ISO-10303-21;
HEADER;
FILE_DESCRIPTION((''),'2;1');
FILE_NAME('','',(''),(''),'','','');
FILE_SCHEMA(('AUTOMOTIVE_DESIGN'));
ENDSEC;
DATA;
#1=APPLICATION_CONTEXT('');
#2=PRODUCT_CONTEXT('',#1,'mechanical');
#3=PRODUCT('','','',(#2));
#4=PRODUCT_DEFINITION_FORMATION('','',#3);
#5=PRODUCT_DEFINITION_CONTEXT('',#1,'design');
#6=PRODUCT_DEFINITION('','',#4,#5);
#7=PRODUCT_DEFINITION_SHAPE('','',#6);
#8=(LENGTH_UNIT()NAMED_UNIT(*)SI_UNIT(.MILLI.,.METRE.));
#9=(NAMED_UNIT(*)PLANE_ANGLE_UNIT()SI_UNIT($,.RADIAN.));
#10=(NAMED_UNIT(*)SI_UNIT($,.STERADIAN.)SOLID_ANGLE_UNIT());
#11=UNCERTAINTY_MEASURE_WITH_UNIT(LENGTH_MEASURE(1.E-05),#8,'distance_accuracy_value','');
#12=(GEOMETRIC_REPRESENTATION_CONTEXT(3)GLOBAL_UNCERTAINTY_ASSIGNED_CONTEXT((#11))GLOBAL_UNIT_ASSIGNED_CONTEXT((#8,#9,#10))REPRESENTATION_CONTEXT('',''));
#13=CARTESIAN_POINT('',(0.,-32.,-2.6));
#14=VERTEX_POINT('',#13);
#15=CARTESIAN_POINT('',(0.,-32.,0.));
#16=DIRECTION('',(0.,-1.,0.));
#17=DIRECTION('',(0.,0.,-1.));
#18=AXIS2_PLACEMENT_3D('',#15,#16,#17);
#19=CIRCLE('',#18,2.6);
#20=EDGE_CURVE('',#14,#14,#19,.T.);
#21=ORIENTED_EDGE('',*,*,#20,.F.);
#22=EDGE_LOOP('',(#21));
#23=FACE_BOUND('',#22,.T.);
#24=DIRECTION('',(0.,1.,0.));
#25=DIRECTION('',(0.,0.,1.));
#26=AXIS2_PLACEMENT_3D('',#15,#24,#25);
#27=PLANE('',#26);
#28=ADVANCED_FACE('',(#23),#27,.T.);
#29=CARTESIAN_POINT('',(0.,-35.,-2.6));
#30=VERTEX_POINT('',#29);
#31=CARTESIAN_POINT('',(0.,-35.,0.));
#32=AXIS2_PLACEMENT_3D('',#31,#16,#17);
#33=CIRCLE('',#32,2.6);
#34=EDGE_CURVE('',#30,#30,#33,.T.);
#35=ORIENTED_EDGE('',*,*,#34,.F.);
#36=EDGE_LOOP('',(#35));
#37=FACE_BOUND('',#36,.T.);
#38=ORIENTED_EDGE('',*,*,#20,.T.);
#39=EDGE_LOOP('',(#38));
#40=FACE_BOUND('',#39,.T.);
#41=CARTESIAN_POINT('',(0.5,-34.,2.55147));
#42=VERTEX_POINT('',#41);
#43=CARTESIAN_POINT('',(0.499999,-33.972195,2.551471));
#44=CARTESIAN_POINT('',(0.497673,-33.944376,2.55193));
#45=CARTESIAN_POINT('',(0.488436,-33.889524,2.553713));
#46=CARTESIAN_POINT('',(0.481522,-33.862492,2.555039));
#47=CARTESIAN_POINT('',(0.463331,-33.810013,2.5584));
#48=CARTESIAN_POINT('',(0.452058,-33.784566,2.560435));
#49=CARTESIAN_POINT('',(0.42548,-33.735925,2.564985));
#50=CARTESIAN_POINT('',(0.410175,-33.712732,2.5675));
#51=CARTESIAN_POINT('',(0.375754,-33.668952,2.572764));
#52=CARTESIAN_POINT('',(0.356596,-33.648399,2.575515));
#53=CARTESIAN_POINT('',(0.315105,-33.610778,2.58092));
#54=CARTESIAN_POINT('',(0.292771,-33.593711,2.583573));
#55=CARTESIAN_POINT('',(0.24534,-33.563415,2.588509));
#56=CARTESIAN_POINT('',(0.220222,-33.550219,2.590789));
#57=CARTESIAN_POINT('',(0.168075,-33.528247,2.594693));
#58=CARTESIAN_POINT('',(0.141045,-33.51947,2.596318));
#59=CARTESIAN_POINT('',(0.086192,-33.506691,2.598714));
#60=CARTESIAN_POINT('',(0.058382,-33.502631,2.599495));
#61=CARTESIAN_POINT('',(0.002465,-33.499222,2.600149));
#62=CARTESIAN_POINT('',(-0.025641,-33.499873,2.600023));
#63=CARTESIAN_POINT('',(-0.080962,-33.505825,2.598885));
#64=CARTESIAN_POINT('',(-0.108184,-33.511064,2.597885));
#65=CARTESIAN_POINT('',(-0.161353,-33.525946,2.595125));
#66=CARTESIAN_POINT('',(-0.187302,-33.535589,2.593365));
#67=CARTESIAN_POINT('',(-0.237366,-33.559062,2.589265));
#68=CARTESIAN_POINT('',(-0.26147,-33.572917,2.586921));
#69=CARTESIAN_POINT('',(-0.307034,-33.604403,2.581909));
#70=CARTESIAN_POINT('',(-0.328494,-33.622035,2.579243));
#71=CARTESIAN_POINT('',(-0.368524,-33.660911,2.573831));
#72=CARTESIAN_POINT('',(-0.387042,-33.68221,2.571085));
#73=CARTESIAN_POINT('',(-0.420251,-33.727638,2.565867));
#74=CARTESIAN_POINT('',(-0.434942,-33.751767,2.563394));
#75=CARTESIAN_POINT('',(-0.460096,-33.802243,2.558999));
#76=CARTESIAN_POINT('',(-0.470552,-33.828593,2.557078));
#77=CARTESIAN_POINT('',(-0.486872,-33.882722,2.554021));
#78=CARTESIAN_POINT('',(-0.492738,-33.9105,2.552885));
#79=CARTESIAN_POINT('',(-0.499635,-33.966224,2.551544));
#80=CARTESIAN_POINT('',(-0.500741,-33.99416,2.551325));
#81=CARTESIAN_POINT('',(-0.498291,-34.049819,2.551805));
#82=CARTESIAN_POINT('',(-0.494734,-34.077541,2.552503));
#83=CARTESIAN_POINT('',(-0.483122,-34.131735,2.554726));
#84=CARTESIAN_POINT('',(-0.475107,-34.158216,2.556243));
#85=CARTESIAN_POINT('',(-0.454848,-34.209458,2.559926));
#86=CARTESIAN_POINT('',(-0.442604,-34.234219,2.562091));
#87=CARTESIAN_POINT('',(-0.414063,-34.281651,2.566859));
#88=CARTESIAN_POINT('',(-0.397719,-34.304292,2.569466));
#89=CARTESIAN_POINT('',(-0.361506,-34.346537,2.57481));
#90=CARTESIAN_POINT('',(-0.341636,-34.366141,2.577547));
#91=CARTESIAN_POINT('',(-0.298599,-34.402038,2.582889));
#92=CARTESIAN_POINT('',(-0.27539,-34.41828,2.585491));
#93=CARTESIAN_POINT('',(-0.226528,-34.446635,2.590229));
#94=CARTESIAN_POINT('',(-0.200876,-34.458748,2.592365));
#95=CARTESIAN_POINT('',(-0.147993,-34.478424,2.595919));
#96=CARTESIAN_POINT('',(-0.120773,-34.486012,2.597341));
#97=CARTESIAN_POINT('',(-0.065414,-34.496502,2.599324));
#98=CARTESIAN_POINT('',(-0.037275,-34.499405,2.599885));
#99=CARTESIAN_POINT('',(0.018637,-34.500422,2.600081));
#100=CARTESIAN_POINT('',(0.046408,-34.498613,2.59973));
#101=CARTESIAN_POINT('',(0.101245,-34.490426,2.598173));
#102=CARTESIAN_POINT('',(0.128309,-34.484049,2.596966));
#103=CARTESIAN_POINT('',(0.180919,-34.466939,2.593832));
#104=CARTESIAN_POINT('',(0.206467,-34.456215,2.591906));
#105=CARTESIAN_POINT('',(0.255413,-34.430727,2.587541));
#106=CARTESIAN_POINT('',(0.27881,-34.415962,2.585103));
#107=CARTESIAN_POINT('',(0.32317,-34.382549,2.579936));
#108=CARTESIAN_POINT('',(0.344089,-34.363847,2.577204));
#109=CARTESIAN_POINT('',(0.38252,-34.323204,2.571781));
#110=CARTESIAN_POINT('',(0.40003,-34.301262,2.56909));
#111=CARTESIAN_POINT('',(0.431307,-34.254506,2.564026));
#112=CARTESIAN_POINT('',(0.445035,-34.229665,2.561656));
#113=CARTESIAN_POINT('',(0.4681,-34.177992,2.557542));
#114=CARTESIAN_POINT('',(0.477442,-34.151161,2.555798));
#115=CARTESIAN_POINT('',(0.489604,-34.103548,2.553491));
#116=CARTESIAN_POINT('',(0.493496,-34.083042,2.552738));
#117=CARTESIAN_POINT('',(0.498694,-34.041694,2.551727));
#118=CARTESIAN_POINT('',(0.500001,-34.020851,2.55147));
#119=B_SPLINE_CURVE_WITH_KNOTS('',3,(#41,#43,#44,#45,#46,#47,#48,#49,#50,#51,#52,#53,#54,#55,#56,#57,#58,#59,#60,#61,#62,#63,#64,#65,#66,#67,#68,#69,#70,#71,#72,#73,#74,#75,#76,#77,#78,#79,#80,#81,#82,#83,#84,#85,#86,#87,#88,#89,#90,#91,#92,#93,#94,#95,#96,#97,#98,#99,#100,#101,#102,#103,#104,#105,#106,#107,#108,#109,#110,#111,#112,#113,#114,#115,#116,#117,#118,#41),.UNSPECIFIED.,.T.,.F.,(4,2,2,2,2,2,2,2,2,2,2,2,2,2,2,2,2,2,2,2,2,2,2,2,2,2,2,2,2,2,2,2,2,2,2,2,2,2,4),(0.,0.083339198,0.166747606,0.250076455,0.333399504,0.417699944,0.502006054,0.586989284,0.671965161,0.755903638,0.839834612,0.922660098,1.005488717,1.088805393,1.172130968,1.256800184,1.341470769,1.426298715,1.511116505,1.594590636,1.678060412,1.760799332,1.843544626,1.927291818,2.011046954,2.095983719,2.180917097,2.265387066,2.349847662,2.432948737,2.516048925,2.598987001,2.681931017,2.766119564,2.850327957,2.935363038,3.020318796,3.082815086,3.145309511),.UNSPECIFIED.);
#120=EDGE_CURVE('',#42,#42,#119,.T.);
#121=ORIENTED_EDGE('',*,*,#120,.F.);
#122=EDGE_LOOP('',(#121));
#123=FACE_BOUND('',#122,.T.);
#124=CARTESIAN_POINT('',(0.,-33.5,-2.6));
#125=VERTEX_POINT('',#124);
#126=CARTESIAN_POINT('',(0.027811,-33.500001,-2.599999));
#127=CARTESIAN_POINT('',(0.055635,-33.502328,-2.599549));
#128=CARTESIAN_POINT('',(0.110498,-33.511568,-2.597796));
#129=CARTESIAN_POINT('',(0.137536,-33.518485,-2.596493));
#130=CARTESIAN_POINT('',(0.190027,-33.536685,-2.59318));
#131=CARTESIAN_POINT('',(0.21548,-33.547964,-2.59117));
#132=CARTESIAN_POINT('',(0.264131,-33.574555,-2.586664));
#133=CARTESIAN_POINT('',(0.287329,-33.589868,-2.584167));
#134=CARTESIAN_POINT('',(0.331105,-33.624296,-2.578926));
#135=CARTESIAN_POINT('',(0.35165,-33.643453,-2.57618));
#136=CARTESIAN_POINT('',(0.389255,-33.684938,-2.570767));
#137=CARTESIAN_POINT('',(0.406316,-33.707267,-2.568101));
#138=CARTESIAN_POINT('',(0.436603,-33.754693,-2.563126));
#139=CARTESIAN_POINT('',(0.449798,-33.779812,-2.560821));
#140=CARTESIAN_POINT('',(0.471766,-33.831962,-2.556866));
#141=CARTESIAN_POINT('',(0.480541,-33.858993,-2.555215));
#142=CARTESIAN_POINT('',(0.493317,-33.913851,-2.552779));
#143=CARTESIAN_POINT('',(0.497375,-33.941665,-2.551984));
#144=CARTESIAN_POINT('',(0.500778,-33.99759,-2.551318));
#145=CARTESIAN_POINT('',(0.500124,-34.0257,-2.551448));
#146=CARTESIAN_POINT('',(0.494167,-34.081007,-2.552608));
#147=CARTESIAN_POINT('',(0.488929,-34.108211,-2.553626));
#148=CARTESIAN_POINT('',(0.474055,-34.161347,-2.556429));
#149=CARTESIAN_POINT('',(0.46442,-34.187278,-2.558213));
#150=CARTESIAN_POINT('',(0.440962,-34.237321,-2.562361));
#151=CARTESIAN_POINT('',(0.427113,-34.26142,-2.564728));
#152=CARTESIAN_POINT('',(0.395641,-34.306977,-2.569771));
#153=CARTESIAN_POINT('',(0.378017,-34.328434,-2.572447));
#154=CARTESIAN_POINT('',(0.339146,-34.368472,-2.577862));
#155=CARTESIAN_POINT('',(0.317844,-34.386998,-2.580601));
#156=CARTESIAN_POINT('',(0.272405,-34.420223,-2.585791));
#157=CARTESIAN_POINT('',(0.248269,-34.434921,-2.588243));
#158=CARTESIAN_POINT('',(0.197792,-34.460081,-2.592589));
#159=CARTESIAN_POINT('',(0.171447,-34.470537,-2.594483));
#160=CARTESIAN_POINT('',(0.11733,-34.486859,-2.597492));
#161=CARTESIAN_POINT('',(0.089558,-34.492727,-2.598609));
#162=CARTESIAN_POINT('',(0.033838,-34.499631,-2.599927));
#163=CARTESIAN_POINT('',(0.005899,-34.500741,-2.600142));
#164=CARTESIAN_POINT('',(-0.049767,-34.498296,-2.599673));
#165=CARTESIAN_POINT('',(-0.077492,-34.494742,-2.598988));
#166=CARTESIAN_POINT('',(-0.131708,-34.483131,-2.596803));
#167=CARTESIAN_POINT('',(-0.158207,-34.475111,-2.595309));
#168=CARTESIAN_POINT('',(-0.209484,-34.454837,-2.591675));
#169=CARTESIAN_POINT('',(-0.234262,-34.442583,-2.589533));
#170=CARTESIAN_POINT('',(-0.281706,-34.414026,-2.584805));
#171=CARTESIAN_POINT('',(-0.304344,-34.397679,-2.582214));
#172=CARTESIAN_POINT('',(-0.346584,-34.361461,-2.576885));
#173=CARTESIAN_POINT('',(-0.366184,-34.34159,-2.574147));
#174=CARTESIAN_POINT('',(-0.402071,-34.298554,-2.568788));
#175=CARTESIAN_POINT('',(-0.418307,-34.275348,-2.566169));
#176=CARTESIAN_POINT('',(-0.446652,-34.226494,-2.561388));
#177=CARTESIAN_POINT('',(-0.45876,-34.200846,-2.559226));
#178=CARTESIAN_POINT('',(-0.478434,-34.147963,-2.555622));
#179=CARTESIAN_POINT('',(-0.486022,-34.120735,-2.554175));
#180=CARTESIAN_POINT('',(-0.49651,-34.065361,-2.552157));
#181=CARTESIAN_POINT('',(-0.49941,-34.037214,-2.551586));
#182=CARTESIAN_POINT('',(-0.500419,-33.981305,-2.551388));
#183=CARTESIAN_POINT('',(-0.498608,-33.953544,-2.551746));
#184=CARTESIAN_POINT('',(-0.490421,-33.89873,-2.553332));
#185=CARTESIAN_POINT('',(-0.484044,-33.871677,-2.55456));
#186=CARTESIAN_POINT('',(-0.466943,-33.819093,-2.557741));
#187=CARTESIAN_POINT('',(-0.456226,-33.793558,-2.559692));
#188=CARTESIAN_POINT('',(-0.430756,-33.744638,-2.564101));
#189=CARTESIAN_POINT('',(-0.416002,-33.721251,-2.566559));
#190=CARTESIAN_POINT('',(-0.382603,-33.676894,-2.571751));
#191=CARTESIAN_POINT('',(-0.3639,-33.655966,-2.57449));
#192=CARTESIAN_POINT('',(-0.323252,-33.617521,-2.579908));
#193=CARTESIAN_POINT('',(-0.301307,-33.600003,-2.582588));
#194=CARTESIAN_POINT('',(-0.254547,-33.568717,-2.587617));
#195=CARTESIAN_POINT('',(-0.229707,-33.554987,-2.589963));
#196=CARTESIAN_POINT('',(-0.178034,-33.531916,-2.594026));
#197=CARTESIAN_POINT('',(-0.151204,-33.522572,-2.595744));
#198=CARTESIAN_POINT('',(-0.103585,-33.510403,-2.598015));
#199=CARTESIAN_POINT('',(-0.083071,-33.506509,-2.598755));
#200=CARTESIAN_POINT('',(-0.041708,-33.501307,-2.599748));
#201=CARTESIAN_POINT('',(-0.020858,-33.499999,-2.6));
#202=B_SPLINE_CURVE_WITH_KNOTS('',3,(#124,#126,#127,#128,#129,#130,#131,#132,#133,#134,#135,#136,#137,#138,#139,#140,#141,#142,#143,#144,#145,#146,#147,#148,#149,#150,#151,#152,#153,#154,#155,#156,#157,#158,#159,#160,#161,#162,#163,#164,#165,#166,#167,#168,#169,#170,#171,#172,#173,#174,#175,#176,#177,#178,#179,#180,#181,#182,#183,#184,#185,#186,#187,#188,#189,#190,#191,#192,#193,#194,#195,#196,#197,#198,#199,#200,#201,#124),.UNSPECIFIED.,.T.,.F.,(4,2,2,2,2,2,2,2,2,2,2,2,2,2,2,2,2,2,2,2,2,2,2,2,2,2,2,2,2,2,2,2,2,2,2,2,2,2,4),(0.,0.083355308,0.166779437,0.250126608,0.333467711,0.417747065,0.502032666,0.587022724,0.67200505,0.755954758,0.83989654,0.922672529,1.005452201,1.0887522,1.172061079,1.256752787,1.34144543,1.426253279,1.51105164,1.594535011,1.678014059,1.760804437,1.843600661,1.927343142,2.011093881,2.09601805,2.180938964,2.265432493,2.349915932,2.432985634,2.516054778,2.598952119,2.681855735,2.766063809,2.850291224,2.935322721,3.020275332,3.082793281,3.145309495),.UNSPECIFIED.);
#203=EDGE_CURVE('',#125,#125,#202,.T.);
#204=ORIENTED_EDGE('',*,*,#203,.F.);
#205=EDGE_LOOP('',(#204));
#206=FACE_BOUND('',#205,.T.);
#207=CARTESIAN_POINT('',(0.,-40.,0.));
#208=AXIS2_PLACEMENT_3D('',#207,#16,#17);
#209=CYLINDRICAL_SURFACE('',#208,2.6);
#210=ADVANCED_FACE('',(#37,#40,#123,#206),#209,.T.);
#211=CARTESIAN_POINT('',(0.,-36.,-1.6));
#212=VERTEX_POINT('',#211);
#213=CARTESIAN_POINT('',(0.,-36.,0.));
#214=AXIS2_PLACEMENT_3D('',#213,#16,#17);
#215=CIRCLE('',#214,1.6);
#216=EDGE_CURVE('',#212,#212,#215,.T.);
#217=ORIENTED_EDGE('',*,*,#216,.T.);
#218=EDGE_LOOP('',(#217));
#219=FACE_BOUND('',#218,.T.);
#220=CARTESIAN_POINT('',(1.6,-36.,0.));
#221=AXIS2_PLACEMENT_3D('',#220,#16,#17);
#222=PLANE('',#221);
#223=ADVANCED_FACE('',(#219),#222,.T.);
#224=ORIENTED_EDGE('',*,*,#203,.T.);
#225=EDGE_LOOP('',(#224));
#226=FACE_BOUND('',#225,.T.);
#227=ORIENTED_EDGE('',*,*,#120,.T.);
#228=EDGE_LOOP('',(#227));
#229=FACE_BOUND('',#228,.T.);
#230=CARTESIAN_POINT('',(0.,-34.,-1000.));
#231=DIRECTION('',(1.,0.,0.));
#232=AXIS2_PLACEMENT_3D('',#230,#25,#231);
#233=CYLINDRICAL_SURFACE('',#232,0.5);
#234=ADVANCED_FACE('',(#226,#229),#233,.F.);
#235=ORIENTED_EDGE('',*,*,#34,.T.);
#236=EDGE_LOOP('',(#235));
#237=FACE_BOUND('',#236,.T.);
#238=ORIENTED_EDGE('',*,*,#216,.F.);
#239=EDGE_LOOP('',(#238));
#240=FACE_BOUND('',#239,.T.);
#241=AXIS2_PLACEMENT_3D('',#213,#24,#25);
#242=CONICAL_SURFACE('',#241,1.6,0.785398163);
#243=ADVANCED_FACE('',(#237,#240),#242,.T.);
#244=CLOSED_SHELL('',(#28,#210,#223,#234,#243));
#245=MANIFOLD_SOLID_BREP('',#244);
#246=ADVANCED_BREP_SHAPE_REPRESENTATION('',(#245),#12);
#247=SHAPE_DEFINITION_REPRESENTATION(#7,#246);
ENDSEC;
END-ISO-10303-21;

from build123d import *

# Parameters (mm, degrees)
SKETCH2_R         = 0.5
PASO_CUERDA_DEPTH = 1000


with BuildPart() as part:
    # Sketch1 → Cubo_salida (revolve)
    with BuildSketch(Plane.XY, mode=Mode.PRIVATE) as cubo_salida_sk:
        Polygon((0, -32), (2.6, -32), (2.6, -35), (1.6, -36), (0, -36), align=None)
    revolve(cubo_salida_sk.sketch.rotate(Axis((0, -40, 0), (0, 1, 0)), 90), axis=Axis((0, -40, 0), (0, 1, 0)))

    # Sketch2 → Paso_cuerda (cut, symmetric)
    with BuildSketch(Plane.XY):
        with Locations((0, -34)):
            Circle(SKETCH2_R)
    extrude(amount=PASO_CUERDA_DEPTH, both=True, mode=Mode.SUBTRACT)


solid = part.part
